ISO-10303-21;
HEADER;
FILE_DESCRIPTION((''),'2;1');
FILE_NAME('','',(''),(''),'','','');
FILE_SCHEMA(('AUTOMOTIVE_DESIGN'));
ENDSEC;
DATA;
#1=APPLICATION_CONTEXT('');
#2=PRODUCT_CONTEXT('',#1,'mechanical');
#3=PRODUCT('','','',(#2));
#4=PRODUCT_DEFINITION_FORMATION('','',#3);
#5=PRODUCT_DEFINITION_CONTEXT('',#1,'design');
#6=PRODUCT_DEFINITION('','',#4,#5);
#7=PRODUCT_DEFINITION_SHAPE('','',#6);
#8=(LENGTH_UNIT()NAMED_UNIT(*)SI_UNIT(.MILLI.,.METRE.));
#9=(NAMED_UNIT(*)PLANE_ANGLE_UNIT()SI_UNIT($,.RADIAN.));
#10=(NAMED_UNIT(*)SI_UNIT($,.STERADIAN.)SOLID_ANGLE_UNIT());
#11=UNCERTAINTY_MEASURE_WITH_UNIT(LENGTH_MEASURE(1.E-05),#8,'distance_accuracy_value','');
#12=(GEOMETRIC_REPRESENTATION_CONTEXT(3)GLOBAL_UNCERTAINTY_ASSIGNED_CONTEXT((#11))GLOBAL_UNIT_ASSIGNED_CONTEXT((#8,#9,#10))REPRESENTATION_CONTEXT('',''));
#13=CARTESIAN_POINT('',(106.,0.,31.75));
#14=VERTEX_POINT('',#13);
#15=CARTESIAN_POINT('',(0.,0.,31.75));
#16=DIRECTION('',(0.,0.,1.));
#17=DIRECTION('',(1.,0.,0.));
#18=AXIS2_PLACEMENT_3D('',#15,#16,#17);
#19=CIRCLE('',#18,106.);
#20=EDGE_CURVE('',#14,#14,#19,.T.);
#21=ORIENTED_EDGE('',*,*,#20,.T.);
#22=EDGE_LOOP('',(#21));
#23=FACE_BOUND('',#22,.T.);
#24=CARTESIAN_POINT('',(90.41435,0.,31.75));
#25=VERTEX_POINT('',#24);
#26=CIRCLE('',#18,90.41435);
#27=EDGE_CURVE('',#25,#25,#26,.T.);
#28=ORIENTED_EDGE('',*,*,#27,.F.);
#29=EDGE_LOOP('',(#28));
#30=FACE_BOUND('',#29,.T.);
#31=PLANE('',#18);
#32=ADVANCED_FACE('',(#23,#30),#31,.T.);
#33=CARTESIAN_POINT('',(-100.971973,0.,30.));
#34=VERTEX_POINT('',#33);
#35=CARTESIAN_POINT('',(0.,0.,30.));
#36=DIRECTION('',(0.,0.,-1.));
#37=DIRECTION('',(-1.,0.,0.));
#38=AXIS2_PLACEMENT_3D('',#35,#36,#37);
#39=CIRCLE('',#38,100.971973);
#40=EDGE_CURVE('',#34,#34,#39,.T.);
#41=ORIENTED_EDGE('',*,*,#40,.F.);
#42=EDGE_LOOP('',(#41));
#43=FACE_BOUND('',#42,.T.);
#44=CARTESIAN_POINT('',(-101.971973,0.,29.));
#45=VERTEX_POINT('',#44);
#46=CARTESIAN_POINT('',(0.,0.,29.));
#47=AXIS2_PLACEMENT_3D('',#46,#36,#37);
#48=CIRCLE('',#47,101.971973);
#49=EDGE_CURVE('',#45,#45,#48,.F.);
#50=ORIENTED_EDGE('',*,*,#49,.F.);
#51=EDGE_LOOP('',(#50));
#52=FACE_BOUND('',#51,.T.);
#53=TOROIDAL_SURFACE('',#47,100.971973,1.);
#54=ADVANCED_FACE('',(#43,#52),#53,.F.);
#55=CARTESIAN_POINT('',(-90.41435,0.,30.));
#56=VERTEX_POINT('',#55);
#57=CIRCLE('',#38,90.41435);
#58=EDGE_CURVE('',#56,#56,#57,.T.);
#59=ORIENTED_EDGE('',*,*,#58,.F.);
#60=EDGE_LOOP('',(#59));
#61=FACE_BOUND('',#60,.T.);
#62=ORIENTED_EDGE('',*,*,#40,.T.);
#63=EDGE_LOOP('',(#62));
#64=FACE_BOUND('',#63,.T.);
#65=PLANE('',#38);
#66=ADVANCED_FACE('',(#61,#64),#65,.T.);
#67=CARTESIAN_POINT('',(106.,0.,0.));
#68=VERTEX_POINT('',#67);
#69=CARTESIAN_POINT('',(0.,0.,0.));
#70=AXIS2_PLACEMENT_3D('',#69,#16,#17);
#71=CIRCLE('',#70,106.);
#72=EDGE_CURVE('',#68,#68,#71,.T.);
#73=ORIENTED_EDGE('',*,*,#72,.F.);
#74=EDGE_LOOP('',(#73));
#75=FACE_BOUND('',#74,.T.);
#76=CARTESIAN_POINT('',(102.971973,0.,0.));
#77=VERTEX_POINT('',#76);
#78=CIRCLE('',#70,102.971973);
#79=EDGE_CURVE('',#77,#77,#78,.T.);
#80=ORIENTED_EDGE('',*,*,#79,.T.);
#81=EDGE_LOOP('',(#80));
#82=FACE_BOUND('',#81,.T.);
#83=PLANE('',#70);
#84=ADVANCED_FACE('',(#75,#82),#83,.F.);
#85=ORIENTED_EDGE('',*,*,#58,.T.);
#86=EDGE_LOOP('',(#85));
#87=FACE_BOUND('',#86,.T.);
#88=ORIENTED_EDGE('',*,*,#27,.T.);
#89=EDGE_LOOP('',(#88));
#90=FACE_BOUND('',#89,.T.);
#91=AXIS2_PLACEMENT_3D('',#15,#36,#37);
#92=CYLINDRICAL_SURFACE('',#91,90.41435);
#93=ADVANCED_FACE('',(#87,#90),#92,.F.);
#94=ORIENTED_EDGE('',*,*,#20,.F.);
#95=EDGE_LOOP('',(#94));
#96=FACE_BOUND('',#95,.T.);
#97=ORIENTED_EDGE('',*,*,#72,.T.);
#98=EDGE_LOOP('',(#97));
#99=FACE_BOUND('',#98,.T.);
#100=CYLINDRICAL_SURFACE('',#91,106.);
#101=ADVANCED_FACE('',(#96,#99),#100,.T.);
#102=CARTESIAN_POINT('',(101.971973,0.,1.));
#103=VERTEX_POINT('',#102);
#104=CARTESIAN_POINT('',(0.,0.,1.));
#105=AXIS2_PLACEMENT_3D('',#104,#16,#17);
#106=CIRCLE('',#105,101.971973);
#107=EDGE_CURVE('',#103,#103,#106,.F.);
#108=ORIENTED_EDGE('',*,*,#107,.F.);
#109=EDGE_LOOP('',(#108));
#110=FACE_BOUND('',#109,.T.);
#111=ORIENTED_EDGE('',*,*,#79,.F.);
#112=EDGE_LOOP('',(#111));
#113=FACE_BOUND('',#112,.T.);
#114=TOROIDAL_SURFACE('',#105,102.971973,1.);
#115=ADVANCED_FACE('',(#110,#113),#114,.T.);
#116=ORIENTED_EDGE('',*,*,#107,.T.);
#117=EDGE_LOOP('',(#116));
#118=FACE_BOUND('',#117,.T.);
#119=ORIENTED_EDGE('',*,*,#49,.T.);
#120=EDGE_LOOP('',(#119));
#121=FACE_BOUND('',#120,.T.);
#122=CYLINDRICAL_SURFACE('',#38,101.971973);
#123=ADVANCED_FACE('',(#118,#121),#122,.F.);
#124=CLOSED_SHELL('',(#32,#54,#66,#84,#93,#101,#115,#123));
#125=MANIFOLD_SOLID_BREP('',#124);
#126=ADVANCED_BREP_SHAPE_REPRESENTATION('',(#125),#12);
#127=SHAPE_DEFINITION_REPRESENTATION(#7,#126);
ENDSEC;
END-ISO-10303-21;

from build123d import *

# Parameters (mm, degrees)
BASEPLATE_R         = 106
BASEPLATE_R_2       = 90.414349638
BOSS_EXTRUDE1_DEPTH = 31.75
SKETCH2_R           = 101.971973166
CUT_EXTRUDE1_DEPTH  = 30
FILLET1_R           = 1
FILLET2_R           = 1


with BuildPart() as part:
    # Baseplate → Boss-Extrude1 (new body)
    with BuildSketch(Plane.XY):
        Circle(BASEPLATE_R)
        Circle(BASEPLATE_R_2, mode=Mode.SUBTRACT)
    extrude(amount=BOSS_EXTRUDE1_DEPTH)

    # Sketch2 → Cut-Extrude1 (cut)
    with BuildSketch(Plane(origin=(0, 0, 0), x_dir=(-1, 0, 0), z_dir=(0, 0, -1))):
        Circle(SKETCH2_R)
    extrude(amount=-CUT_EXTRUDE1_DEPTH, mode=Mode.SUBTRACT)

    # Fillet1
    fillet1_edges = [part.edges().sort_by_distance(p)[0] for p in [
        (101.971973166, 0, 0),
    ]]
    fillet(fillet1_edges, radius=FILLET1_R)

    # Fillet2
    fillet2_edges = [part.edges().sort_by_distance(p)[0] for p in [
        (101.971973166, 0, 30),
    ]]
    fillet(fillet2_edges, radius=FILLET2_R)


solid = part.part
